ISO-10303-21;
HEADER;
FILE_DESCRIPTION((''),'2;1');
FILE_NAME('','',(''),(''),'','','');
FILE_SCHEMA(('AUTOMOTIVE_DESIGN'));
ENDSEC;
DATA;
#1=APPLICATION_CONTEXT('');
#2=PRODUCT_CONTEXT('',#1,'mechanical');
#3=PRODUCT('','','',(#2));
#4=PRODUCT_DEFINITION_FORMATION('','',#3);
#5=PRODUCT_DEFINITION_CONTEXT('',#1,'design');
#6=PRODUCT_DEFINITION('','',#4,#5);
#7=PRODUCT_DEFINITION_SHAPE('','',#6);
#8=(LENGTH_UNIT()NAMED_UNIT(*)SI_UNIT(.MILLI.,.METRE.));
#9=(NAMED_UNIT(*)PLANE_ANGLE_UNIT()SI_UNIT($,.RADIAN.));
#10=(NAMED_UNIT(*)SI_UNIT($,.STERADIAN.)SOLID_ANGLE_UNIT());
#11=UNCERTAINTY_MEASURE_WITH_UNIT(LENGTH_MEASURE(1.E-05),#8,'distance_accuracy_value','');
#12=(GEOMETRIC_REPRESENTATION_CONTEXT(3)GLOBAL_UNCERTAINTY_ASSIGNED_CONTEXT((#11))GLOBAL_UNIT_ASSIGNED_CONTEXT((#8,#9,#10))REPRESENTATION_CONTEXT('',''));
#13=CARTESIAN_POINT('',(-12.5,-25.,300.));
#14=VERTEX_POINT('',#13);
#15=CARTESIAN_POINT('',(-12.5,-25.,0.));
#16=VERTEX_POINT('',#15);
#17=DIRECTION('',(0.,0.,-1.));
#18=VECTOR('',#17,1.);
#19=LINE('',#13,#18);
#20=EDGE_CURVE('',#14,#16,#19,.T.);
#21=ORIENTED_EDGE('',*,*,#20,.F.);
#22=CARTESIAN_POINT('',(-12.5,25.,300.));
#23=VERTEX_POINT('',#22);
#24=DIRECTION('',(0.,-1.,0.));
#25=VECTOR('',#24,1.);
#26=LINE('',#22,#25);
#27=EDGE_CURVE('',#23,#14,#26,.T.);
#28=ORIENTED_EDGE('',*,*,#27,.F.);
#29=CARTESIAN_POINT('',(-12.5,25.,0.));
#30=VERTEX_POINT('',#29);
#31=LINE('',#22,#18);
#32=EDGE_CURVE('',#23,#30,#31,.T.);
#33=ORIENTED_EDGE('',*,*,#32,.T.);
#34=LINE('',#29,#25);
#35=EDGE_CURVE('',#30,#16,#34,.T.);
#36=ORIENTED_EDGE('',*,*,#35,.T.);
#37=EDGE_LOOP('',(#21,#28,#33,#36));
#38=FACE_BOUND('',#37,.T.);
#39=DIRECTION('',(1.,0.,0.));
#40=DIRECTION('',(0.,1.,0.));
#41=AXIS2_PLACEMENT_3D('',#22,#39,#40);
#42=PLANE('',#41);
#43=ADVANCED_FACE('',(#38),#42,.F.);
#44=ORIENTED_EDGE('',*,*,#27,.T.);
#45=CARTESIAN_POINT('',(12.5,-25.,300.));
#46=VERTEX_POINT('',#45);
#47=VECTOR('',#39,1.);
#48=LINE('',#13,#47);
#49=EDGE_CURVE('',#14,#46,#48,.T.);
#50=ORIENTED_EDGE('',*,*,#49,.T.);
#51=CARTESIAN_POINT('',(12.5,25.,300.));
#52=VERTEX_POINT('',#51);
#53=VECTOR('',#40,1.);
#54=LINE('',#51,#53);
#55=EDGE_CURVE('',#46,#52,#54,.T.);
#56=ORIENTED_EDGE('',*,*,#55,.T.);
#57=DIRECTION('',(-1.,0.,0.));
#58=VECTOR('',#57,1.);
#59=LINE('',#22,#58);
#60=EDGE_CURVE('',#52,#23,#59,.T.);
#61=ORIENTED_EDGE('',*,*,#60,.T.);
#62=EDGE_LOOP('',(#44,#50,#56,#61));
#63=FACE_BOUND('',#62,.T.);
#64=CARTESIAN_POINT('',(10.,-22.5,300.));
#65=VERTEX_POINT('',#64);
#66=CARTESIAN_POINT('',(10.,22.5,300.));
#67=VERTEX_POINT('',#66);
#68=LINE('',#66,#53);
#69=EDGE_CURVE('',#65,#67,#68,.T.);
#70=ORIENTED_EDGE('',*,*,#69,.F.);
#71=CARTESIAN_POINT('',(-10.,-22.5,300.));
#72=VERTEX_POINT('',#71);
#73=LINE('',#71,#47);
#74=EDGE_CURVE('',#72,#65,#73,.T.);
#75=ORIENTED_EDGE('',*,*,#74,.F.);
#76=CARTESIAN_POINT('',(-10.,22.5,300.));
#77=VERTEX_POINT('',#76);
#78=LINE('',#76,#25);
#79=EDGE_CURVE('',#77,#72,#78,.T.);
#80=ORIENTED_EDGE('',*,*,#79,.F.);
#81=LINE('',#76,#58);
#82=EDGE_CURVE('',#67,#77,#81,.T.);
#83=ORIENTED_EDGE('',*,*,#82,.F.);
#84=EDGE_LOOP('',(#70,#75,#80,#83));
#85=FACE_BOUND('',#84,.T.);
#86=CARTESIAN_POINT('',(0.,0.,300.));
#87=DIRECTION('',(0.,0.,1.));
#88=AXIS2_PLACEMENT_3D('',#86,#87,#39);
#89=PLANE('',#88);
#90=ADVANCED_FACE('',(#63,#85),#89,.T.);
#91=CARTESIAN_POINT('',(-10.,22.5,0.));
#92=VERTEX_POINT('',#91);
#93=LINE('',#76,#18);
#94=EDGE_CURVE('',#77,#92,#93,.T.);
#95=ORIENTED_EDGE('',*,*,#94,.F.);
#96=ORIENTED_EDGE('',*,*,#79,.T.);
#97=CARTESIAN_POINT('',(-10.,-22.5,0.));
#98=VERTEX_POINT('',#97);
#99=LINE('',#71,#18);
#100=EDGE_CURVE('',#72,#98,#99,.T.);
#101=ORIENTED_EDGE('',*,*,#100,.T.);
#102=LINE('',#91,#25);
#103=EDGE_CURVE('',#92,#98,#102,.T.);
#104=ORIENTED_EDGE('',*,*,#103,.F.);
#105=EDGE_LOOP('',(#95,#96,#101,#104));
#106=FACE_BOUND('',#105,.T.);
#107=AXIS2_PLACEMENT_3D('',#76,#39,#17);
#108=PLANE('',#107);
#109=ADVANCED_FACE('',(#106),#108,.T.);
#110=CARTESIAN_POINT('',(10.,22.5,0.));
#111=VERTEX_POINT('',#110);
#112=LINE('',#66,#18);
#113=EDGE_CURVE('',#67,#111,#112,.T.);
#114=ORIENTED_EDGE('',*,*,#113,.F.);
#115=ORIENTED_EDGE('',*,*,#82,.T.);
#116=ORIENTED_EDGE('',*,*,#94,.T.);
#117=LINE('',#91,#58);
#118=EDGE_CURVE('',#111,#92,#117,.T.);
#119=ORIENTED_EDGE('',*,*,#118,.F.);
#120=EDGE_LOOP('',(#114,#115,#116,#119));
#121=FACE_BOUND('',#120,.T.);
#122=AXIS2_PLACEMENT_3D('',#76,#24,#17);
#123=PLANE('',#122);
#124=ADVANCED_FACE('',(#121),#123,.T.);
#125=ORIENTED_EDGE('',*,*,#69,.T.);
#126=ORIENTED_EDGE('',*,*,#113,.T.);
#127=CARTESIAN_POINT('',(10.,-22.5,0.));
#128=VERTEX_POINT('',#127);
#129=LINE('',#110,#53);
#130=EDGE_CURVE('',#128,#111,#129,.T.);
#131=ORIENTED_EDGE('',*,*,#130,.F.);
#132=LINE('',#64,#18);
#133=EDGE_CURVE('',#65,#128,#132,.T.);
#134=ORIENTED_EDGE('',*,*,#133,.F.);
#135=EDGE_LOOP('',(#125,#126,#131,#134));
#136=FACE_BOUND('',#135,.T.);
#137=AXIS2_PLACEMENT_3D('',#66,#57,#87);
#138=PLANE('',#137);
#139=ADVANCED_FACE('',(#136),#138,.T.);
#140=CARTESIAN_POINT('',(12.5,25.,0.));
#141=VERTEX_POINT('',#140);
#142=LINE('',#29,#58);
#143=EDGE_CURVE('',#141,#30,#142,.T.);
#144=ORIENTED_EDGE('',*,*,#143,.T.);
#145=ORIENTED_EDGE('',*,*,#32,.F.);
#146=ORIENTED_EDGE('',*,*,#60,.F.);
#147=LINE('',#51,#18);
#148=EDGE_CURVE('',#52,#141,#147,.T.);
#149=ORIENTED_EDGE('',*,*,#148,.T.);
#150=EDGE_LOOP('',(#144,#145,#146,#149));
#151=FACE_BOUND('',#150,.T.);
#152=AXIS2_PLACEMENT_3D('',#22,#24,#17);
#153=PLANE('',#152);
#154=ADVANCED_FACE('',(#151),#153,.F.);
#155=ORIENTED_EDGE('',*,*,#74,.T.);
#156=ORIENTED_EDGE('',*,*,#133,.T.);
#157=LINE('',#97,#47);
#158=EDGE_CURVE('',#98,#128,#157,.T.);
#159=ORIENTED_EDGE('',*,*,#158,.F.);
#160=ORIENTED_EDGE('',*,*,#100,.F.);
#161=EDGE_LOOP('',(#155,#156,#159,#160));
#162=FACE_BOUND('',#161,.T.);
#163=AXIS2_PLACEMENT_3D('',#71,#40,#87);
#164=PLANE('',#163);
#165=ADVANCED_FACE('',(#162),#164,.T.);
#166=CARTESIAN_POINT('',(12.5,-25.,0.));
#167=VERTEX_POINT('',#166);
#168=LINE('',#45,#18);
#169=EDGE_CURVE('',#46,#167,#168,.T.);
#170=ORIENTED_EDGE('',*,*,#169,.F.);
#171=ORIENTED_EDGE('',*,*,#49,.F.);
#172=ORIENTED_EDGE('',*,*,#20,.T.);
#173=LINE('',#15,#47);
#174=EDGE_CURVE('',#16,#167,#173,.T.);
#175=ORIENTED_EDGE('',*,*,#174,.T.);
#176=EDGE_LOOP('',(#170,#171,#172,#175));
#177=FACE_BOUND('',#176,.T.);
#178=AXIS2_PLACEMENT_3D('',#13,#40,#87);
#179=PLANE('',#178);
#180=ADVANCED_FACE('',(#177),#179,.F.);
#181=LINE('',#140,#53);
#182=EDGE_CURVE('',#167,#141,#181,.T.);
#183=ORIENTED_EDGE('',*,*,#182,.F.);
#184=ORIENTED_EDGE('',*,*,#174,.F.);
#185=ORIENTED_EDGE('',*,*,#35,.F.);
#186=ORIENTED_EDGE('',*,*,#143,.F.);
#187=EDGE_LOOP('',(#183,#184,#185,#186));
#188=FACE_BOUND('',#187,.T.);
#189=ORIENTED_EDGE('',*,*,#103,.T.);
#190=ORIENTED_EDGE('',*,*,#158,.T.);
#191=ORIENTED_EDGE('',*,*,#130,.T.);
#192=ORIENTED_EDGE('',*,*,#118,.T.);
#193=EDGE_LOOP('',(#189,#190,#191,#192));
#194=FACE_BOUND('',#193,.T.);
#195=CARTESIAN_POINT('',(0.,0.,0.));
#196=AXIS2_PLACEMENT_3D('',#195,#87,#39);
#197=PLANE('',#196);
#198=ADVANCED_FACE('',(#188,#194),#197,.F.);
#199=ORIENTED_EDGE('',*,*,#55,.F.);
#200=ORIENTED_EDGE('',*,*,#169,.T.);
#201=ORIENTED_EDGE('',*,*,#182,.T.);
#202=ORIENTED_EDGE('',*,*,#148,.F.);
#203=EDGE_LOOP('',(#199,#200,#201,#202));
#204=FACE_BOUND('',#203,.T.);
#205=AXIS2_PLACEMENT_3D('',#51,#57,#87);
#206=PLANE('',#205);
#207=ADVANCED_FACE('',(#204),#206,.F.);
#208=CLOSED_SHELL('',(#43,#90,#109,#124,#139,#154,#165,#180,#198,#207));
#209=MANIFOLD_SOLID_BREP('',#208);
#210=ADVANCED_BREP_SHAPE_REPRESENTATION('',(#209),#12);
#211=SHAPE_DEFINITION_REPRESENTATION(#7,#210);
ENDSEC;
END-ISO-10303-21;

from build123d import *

# Parameters (mm, degrees)
SKETCH1_W           = 25
SKETCH1_H           = 50
SKETCH1_W_2         = 20
SKETCH1_H_2         = 45
BOSS_EXTRUDE1_DEPTH = 300


with BuildPart() as part:
    # Sketch1 → Boss-Extrude1 (new body)
    with BuildSketch(Plane.XY):
        Rectangle(SKETCH1_W, SKETCH1_H)
        Rectangle(SKETCH1_W_2, SKETCH1_H_2, mode=Mode.SUBTRACT)
    extrude(amount=BOSS_EXTRUDE1_DEPTH)


solid = part.part
